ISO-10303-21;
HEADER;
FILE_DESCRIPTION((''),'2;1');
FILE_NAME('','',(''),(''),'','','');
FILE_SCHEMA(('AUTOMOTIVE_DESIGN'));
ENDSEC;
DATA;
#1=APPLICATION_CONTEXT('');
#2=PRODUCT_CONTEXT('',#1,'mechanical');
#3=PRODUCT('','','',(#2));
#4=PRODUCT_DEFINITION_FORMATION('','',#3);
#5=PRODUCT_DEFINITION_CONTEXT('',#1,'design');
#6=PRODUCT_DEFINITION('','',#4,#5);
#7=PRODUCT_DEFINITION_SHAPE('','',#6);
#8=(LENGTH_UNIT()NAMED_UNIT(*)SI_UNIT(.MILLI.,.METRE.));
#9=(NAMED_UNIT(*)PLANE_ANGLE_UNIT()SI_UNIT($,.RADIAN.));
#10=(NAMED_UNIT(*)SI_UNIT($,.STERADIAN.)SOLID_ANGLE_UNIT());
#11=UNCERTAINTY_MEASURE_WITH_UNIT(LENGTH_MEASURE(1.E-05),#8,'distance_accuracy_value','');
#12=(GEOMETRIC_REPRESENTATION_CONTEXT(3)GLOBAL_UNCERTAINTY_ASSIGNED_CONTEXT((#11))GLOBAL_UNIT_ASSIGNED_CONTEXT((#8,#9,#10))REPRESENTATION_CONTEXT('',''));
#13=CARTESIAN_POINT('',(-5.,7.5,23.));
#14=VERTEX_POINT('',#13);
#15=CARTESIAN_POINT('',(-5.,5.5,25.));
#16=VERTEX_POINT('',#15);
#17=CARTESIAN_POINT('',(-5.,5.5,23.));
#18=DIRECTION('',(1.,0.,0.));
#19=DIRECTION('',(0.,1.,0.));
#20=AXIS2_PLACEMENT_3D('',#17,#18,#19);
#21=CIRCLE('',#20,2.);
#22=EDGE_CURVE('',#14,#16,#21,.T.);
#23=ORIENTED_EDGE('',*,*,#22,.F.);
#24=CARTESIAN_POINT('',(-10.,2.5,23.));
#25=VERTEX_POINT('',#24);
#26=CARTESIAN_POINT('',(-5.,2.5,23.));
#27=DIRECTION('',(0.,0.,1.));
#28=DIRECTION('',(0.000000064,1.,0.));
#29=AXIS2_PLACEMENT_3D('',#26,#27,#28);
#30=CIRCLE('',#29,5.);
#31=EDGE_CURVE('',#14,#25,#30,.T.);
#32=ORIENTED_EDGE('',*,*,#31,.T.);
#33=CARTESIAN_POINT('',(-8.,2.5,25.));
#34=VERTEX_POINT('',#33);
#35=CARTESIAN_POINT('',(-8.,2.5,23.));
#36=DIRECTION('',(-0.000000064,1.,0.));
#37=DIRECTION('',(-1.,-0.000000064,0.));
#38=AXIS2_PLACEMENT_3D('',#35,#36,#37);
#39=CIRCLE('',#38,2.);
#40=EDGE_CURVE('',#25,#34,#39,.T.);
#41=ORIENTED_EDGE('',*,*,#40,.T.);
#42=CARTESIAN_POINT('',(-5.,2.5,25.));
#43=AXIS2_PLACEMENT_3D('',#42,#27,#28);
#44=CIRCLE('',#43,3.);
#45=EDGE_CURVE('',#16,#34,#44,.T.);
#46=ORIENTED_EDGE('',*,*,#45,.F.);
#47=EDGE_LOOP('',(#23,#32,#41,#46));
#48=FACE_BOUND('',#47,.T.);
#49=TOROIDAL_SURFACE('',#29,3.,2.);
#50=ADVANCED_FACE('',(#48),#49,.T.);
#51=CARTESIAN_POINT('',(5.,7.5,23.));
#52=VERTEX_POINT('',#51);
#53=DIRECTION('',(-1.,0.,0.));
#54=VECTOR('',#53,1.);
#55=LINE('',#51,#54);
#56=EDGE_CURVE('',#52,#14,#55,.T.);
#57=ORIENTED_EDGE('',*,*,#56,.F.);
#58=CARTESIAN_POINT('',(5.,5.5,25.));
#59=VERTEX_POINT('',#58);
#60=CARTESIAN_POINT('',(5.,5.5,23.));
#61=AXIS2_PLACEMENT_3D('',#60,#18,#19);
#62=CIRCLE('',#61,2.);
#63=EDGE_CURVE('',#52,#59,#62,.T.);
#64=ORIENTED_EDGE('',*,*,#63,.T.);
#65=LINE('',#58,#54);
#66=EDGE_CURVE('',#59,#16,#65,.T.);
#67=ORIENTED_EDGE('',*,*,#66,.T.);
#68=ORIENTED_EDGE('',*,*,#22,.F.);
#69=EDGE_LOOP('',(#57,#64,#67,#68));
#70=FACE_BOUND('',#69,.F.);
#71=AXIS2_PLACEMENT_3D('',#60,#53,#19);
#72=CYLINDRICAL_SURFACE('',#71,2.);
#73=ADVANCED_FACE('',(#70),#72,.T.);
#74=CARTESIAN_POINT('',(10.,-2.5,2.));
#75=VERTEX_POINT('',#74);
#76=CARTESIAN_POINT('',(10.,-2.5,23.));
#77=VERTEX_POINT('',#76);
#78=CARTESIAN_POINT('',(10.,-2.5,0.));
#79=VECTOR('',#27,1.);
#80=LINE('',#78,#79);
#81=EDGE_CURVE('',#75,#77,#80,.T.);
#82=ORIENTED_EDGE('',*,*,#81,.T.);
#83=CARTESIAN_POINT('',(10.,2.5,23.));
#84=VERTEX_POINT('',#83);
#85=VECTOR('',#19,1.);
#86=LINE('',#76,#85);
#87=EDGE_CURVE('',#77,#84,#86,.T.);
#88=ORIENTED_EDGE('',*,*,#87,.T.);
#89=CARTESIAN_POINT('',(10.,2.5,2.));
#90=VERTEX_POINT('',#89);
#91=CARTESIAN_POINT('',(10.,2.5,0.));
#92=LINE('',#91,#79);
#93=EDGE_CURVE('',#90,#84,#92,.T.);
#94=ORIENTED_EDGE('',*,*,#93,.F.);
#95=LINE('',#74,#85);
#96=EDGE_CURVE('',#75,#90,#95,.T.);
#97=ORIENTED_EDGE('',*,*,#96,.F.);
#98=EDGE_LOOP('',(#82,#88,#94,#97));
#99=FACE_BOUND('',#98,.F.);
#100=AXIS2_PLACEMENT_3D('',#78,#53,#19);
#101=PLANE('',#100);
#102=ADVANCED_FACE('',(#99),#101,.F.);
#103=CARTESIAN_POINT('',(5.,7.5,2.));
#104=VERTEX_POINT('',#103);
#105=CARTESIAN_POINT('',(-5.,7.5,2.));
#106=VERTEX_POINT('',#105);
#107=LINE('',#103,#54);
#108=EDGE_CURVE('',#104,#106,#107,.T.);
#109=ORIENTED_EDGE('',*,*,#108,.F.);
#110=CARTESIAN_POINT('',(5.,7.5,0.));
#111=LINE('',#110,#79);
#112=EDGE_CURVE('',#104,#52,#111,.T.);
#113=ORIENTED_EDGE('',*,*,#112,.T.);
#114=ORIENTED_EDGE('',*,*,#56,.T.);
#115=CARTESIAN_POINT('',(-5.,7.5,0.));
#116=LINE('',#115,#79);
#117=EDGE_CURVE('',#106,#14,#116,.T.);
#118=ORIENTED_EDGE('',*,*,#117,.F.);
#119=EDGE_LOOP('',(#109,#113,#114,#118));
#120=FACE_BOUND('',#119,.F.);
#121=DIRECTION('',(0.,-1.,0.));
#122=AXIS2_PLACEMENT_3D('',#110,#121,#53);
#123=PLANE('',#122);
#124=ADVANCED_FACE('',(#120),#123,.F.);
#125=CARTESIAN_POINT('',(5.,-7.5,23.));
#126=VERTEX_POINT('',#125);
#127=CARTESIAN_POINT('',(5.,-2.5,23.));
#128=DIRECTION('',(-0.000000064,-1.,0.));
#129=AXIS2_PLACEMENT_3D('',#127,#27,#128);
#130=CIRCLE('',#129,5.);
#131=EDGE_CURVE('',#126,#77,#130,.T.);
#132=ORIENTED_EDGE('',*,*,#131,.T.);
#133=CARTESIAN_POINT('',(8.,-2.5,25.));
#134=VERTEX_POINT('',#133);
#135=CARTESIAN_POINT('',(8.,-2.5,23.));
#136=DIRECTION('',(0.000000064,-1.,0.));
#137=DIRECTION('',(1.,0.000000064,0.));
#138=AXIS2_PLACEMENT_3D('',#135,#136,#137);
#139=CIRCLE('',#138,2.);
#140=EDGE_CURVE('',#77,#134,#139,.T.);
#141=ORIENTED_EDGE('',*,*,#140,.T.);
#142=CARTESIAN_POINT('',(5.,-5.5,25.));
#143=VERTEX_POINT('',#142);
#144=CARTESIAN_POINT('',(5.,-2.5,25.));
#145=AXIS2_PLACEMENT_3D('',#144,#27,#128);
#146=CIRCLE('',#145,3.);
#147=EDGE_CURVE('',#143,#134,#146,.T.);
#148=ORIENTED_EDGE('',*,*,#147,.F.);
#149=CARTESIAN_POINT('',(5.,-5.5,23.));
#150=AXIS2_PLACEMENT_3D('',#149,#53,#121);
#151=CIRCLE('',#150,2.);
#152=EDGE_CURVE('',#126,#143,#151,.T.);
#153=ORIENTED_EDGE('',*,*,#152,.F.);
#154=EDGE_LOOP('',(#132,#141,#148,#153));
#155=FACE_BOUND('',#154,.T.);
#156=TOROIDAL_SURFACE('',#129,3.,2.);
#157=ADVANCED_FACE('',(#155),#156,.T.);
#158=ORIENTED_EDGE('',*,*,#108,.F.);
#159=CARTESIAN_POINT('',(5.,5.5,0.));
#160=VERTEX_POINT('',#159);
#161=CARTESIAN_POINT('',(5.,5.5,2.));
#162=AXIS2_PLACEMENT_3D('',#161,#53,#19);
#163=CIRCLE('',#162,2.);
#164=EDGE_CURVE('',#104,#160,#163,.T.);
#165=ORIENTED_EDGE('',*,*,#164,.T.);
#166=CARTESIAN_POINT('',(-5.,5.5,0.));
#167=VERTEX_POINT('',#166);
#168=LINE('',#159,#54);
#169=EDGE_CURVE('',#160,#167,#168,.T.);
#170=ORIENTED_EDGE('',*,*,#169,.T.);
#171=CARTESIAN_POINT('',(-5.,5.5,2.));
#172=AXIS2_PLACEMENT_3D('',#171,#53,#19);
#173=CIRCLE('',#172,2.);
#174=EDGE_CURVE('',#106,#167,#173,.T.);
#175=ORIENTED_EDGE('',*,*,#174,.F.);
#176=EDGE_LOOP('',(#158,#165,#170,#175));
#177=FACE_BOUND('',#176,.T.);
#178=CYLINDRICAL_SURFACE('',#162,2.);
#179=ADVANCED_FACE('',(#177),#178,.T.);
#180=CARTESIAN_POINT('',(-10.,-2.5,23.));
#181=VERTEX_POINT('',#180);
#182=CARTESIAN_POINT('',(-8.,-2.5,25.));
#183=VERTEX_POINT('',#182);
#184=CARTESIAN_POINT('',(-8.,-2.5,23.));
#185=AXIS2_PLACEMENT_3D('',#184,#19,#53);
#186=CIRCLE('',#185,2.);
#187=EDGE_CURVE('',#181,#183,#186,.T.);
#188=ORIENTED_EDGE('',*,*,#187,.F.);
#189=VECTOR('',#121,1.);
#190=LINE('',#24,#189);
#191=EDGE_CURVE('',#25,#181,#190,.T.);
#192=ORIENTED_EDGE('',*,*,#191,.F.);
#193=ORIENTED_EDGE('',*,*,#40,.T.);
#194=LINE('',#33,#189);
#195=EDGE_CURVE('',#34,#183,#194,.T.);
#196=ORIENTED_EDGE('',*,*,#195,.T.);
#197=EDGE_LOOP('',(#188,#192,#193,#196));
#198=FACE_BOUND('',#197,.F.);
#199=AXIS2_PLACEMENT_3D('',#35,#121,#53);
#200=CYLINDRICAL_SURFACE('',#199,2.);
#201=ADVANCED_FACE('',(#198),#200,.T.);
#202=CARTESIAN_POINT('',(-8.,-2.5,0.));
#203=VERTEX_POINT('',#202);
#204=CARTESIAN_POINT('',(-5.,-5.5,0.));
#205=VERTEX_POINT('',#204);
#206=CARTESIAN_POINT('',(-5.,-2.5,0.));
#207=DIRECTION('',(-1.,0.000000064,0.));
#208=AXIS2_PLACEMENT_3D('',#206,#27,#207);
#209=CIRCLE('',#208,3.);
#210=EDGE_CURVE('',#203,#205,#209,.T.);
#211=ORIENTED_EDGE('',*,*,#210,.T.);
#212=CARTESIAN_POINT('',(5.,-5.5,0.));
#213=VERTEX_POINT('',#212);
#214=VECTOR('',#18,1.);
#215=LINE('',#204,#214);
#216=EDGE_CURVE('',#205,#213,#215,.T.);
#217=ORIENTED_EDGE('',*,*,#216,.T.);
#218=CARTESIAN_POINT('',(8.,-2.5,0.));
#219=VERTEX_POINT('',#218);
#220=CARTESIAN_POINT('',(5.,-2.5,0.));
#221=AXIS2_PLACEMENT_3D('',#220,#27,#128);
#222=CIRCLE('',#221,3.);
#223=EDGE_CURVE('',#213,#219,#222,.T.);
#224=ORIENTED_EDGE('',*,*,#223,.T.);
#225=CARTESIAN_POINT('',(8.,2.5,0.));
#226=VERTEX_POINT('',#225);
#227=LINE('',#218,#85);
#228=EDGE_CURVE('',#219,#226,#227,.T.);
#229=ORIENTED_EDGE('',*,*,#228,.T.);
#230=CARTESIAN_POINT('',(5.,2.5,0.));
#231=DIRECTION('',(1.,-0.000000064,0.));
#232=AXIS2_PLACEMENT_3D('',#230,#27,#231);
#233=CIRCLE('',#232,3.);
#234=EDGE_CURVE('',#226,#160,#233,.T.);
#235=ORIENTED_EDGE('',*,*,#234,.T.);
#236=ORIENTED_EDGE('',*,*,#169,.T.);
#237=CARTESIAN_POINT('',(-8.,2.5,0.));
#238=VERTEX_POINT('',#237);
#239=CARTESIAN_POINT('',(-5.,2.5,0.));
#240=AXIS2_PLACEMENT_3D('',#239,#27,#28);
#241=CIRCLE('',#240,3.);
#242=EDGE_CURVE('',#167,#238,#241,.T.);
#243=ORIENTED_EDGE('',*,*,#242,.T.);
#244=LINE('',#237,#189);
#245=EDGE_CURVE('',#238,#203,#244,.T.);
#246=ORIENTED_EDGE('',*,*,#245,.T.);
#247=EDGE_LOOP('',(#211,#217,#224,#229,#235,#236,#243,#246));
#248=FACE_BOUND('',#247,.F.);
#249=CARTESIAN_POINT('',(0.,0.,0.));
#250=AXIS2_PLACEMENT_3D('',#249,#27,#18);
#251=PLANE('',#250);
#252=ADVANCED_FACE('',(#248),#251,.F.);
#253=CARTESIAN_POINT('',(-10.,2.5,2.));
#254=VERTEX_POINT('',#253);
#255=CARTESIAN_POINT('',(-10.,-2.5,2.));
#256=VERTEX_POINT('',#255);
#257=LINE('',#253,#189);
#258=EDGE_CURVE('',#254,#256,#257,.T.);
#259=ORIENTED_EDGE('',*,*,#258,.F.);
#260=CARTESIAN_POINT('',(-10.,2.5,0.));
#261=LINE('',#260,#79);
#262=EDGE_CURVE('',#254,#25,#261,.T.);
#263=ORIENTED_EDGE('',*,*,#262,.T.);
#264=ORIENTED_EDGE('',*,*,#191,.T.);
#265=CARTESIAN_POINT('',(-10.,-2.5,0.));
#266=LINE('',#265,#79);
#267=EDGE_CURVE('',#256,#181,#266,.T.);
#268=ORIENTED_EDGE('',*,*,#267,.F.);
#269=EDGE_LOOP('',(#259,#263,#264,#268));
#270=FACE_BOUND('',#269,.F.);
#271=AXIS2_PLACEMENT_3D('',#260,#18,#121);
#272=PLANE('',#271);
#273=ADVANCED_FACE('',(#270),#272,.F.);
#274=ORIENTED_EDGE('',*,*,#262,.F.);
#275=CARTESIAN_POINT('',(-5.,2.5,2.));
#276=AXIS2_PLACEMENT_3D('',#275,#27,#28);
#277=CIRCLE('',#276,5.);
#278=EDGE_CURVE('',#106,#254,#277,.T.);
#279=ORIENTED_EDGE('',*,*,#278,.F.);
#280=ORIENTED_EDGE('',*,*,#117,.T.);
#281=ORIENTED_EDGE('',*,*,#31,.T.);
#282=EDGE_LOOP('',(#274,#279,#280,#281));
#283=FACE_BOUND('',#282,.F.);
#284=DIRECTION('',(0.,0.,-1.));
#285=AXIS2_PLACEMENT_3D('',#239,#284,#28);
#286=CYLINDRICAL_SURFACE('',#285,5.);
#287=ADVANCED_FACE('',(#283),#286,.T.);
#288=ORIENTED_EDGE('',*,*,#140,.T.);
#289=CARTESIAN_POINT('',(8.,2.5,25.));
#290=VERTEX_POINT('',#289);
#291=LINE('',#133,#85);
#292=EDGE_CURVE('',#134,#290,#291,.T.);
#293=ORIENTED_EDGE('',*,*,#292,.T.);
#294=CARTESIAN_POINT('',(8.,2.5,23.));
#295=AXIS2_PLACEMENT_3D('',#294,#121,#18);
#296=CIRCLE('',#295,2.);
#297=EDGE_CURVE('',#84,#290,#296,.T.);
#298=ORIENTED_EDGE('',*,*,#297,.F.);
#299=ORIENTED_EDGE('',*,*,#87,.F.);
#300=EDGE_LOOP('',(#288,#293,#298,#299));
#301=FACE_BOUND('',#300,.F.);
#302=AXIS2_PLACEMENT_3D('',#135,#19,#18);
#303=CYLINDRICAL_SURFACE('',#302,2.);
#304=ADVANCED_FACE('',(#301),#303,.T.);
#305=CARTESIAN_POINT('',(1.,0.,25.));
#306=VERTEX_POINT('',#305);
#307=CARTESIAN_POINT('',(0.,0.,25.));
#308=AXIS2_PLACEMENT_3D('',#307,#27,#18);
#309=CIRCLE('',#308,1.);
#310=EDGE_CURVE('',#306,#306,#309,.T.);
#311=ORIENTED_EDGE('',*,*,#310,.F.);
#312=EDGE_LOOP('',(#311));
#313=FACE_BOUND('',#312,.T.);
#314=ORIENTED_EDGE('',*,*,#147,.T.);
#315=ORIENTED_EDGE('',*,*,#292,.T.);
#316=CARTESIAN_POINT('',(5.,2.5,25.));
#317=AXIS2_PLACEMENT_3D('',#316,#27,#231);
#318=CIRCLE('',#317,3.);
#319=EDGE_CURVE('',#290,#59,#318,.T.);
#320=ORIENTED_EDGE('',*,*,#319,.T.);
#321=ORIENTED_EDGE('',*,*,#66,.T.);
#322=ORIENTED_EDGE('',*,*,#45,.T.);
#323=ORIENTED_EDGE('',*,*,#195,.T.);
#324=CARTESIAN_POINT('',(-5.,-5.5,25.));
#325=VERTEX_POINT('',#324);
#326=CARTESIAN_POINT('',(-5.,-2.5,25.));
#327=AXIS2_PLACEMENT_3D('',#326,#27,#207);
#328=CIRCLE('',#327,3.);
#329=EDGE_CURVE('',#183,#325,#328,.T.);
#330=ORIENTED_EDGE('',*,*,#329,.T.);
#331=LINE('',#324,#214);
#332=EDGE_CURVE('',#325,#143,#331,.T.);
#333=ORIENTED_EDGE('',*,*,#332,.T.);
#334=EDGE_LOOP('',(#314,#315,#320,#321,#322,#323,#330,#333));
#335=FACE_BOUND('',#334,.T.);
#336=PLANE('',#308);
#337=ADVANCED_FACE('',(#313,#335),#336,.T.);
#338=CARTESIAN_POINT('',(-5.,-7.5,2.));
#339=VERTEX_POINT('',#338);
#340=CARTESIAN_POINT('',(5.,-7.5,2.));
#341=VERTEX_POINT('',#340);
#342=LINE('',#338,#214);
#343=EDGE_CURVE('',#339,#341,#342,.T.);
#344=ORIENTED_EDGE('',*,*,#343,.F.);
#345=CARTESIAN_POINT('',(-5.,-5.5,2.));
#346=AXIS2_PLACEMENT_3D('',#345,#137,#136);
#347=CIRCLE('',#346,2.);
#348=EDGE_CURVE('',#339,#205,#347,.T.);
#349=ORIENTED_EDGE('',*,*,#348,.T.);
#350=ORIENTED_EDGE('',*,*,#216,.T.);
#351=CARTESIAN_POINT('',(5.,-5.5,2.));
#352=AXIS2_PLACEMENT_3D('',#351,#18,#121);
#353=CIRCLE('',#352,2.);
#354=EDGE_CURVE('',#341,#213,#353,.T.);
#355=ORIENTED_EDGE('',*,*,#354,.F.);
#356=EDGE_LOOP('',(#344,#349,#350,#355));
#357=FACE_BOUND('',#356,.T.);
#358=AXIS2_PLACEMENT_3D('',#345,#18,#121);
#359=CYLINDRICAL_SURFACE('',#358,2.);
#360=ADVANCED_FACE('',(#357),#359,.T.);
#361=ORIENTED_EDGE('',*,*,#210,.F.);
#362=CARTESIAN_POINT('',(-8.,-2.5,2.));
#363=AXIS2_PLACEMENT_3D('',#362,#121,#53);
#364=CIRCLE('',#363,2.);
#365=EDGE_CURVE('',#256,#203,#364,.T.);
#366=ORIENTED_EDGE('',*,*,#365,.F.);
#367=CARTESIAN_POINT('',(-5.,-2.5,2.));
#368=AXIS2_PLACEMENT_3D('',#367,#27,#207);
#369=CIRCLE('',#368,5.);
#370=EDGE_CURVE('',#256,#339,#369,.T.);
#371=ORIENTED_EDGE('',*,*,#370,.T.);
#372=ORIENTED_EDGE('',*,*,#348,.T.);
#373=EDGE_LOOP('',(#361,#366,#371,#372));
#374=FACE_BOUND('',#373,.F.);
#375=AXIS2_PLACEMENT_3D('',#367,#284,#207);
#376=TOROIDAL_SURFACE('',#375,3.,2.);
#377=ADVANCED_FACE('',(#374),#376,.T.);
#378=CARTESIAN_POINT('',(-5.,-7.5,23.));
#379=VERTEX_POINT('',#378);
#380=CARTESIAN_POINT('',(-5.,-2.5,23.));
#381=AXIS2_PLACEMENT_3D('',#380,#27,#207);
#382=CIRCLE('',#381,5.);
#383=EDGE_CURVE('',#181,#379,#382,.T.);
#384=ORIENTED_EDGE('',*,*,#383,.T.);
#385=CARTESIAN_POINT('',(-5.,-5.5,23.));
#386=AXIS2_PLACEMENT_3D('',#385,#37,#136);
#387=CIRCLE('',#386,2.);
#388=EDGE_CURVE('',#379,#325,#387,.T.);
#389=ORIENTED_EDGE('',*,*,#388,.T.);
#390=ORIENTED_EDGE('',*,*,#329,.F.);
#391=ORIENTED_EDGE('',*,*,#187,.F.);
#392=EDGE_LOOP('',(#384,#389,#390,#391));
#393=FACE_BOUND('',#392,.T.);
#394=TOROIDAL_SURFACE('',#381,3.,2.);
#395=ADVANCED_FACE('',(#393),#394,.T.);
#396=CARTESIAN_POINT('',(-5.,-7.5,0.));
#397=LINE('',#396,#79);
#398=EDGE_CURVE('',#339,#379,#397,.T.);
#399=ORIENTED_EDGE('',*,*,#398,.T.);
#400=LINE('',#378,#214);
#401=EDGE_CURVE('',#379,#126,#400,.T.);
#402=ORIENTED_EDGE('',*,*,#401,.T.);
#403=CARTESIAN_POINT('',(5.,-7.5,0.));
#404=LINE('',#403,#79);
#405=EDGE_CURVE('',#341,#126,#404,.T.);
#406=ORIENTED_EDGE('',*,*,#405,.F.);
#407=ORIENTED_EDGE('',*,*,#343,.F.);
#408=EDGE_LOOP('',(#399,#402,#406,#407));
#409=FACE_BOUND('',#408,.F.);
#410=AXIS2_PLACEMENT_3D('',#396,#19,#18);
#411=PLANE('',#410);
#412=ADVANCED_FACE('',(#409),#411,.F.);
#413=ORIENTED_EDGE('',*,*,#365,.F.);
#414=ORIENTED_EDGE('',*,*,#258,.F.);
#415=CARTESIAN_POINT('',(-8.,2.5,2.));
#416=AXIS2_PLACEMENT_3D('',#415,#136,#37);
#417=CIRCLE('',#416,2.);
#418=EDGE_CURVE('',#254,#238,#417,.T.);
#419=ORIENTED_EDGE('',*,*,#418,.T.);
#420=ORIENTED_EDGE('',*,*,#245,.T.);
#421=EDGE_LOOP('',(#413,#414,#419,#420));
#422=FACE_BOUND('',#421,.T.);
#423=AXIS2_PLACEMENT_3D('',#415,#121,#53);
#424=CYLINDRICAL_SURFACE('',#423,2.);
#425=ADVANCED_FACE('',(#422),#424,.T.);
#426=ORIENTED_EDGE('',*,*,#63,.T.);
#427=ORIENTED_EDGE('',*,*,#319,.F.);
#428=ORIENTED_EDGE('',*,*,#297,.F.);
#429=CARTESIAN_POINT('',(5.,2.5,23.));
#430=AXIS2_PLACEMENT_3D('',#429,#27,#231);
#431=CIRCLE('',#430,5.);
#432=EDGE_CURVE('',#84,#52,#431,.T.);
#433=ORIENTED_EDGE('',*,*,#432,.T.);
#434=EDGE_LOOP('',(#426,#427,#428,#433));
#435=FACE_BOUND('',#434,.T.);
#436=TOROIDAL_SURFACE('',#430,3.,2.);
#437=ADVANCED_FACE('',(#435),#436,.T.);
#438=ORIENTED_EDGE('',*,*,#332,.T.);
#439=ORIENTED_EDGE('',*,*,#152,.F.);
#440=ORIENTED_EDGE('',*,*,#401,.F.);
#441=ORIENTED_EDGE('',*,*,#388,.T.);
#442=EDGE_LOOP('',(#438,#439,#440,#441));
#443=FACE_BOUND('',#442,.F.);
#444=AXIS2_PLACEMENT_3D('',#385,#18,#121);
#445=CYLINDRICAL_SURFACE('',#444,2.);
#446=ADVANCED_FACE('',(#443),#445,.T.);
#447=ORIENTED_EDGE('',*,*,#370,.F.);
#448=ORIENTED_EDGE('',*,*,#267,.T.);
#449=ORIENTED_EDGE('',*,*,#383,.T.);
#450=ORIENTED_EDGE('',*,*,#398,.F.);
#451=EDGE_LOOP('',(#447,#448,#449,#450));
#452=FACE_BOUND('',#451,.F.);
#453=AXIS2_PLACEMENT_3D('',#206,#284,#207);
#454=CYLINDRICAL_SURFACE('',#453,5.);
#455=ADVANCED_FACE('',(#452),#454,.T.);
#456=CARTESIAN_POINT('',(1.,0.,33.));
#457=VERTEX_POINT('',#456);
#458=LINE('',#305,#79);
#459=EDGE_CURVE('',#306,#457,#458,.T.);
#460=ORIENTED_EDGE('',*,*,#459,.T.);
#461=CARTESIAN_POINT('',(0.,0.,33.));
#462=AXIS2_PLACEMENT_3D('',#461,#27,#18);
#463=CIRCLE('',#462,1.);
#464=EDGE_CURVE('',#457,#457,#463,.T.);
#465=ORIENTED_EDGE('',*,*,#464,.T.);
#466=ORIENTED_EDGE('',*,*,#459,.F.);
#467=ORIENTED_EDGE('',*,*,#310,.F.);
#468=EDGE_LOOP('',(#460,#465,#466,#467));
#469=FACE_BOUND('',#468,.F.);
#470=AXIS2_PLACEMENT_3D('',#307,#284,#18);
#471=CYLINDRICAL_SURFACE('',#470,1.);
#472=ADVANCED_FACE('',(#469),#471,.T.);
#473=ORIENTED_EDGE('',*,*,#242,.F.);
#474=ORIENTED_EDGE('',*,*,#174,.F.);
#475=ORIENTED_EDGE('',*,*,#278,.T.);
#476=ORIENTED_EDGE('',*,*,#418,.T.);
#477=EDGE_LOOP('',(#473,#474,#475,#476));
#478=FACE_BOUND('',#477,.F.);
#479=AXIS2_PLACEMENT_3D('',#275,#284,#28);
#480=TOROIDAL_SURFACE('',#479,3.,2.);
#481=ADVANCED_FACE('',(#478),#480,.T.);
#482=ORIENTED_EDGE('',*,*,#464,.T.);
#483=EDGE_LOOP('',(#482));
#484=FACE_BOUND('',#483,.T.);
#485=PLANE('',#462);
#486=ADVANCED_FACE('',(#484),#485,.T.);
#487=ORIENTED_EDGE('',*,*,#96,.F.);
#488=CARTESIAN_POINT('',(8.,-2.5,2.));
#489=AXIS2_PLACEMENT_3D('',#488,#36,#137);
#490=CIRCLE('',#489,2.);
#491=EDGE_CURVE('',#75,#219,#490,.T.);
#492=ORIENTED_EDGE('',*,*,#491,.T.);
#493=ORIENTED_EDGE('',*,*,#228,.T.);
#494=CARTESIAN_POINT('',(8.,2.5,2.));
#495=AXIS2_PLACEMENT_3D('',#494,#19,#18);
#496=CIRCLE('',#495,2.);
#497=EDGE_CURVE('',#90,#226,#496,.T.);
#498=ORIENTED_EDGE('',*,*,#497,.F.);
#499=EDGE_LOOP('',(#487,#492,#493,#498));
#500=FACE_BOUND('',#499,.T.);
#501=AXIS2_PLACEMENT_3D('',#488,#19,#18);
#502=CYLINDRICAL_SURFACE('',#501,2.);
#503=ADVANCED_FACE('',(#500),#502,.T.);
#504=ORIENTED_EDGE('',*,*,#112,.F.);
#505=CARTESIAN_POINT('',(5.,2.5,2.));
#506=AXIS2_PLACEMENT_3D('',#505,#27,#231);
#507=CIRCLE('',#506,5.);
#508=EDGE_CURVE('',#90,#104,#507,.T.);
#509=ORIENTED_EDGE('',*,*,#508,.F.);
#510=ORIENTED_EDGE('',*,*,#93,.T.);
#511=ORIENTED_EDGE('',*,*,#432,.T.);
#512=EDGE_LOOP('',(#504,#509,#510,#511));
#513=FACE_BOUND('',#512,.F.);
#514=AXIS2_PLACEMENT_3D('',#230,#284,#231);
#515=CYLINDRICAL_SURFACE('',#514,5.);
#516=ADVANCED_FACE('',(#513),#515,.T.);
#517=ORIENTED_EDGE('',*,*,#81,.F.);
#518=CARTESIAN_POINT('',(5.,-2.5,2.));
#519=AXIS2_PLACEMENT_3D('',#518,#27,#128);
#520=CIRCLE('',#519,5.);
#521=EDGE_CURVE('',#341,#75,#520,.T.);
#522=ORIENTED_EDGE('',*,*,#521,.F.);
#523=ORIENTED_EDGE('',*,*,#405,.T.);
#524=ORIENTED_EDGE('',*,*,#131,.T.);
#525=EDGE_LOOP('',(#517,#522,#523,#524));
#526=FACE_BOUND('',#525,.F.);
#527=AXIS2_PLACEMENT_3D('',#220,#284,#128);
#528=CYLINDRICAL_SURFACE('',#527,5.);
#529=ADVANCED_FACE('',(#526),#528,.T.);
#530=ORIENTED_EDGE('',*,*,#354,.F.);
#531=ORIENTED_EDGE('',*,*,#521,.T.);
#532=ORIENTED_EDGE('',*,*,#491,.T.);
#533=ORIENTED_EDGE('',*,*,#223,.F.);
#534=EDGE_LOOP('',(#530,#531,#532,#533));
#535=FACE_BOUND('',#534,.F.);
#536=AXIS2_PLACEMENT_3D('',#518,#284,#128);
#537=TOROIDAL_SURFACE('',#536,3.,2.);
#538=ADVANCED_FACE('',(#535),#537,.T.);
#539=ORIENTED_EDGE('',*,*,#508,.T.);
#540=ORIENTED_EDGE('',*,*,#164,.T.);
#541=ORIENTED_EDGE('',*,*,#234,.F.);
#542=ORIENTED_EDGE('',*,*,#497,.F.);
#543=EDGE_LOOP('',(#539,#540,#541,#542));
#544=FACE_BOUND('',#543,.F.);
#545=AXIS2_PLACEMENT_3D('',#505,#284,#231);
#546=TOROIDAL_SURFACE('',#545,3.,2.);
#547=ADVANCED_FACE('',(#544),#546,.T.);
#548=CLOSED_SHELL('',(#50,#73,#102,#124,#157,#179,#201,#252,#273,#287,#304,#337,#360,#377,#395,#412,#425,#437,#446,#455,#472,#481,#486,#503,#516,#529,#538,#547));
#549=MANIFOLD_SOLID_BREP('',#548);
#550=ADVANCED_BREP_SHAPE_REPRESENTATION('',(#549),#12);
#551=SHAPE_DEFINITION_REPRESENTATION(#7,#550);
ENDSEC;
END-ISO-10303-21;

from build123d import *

# Parameters (mm, degrees)
F1_DEPTH = 25
F2_R     = 2
F3_R     = 1
F4_DEPTH = 8


with BuildPart() as f1:
    # F0 (on Top) → F1 (new body)
    with BuildSketch(Plane.XY):
        with BuildLine():
            ThreePointArc((10, 2.5), (8.535534, 6.035534), (5, 7.5))
            Line((5, 7.5), (-5, 7.5))
            ThreePointArc((-5, 7.5), (-8.535534, 6.035534), (-10, 2.5))
            Line((-10, 2.5), (-10, -2.5))
            ThreePointArc((-10, -2.5), (-8.535534, -6.035534), (-5, -7.5))
            Line((-5, -7.5), (5, -7.5))
            ThreePointArc((5, -7.5), (8.535534, -6.035534), (10, -2.5))
            Line((10, -2.5), (10, 2.5))
        make_face()
    extrude(amount=F1_DEPTH)

    # F2
    f2_edges = [f1.edges().sort_by_distance(p)[0] for p in [
        (0, 7.5, 25),
        (0, 7.5, 0),
    ]]
    fillet(f2_edges, radius=F2_R)

    # F3 (on face) → F4 (join)
    with BuildSketch(Plane.XY.offset(25)):
        Circle(F3_R)
    extrude(amount=F4_DEPTH)


solid = f1.part
